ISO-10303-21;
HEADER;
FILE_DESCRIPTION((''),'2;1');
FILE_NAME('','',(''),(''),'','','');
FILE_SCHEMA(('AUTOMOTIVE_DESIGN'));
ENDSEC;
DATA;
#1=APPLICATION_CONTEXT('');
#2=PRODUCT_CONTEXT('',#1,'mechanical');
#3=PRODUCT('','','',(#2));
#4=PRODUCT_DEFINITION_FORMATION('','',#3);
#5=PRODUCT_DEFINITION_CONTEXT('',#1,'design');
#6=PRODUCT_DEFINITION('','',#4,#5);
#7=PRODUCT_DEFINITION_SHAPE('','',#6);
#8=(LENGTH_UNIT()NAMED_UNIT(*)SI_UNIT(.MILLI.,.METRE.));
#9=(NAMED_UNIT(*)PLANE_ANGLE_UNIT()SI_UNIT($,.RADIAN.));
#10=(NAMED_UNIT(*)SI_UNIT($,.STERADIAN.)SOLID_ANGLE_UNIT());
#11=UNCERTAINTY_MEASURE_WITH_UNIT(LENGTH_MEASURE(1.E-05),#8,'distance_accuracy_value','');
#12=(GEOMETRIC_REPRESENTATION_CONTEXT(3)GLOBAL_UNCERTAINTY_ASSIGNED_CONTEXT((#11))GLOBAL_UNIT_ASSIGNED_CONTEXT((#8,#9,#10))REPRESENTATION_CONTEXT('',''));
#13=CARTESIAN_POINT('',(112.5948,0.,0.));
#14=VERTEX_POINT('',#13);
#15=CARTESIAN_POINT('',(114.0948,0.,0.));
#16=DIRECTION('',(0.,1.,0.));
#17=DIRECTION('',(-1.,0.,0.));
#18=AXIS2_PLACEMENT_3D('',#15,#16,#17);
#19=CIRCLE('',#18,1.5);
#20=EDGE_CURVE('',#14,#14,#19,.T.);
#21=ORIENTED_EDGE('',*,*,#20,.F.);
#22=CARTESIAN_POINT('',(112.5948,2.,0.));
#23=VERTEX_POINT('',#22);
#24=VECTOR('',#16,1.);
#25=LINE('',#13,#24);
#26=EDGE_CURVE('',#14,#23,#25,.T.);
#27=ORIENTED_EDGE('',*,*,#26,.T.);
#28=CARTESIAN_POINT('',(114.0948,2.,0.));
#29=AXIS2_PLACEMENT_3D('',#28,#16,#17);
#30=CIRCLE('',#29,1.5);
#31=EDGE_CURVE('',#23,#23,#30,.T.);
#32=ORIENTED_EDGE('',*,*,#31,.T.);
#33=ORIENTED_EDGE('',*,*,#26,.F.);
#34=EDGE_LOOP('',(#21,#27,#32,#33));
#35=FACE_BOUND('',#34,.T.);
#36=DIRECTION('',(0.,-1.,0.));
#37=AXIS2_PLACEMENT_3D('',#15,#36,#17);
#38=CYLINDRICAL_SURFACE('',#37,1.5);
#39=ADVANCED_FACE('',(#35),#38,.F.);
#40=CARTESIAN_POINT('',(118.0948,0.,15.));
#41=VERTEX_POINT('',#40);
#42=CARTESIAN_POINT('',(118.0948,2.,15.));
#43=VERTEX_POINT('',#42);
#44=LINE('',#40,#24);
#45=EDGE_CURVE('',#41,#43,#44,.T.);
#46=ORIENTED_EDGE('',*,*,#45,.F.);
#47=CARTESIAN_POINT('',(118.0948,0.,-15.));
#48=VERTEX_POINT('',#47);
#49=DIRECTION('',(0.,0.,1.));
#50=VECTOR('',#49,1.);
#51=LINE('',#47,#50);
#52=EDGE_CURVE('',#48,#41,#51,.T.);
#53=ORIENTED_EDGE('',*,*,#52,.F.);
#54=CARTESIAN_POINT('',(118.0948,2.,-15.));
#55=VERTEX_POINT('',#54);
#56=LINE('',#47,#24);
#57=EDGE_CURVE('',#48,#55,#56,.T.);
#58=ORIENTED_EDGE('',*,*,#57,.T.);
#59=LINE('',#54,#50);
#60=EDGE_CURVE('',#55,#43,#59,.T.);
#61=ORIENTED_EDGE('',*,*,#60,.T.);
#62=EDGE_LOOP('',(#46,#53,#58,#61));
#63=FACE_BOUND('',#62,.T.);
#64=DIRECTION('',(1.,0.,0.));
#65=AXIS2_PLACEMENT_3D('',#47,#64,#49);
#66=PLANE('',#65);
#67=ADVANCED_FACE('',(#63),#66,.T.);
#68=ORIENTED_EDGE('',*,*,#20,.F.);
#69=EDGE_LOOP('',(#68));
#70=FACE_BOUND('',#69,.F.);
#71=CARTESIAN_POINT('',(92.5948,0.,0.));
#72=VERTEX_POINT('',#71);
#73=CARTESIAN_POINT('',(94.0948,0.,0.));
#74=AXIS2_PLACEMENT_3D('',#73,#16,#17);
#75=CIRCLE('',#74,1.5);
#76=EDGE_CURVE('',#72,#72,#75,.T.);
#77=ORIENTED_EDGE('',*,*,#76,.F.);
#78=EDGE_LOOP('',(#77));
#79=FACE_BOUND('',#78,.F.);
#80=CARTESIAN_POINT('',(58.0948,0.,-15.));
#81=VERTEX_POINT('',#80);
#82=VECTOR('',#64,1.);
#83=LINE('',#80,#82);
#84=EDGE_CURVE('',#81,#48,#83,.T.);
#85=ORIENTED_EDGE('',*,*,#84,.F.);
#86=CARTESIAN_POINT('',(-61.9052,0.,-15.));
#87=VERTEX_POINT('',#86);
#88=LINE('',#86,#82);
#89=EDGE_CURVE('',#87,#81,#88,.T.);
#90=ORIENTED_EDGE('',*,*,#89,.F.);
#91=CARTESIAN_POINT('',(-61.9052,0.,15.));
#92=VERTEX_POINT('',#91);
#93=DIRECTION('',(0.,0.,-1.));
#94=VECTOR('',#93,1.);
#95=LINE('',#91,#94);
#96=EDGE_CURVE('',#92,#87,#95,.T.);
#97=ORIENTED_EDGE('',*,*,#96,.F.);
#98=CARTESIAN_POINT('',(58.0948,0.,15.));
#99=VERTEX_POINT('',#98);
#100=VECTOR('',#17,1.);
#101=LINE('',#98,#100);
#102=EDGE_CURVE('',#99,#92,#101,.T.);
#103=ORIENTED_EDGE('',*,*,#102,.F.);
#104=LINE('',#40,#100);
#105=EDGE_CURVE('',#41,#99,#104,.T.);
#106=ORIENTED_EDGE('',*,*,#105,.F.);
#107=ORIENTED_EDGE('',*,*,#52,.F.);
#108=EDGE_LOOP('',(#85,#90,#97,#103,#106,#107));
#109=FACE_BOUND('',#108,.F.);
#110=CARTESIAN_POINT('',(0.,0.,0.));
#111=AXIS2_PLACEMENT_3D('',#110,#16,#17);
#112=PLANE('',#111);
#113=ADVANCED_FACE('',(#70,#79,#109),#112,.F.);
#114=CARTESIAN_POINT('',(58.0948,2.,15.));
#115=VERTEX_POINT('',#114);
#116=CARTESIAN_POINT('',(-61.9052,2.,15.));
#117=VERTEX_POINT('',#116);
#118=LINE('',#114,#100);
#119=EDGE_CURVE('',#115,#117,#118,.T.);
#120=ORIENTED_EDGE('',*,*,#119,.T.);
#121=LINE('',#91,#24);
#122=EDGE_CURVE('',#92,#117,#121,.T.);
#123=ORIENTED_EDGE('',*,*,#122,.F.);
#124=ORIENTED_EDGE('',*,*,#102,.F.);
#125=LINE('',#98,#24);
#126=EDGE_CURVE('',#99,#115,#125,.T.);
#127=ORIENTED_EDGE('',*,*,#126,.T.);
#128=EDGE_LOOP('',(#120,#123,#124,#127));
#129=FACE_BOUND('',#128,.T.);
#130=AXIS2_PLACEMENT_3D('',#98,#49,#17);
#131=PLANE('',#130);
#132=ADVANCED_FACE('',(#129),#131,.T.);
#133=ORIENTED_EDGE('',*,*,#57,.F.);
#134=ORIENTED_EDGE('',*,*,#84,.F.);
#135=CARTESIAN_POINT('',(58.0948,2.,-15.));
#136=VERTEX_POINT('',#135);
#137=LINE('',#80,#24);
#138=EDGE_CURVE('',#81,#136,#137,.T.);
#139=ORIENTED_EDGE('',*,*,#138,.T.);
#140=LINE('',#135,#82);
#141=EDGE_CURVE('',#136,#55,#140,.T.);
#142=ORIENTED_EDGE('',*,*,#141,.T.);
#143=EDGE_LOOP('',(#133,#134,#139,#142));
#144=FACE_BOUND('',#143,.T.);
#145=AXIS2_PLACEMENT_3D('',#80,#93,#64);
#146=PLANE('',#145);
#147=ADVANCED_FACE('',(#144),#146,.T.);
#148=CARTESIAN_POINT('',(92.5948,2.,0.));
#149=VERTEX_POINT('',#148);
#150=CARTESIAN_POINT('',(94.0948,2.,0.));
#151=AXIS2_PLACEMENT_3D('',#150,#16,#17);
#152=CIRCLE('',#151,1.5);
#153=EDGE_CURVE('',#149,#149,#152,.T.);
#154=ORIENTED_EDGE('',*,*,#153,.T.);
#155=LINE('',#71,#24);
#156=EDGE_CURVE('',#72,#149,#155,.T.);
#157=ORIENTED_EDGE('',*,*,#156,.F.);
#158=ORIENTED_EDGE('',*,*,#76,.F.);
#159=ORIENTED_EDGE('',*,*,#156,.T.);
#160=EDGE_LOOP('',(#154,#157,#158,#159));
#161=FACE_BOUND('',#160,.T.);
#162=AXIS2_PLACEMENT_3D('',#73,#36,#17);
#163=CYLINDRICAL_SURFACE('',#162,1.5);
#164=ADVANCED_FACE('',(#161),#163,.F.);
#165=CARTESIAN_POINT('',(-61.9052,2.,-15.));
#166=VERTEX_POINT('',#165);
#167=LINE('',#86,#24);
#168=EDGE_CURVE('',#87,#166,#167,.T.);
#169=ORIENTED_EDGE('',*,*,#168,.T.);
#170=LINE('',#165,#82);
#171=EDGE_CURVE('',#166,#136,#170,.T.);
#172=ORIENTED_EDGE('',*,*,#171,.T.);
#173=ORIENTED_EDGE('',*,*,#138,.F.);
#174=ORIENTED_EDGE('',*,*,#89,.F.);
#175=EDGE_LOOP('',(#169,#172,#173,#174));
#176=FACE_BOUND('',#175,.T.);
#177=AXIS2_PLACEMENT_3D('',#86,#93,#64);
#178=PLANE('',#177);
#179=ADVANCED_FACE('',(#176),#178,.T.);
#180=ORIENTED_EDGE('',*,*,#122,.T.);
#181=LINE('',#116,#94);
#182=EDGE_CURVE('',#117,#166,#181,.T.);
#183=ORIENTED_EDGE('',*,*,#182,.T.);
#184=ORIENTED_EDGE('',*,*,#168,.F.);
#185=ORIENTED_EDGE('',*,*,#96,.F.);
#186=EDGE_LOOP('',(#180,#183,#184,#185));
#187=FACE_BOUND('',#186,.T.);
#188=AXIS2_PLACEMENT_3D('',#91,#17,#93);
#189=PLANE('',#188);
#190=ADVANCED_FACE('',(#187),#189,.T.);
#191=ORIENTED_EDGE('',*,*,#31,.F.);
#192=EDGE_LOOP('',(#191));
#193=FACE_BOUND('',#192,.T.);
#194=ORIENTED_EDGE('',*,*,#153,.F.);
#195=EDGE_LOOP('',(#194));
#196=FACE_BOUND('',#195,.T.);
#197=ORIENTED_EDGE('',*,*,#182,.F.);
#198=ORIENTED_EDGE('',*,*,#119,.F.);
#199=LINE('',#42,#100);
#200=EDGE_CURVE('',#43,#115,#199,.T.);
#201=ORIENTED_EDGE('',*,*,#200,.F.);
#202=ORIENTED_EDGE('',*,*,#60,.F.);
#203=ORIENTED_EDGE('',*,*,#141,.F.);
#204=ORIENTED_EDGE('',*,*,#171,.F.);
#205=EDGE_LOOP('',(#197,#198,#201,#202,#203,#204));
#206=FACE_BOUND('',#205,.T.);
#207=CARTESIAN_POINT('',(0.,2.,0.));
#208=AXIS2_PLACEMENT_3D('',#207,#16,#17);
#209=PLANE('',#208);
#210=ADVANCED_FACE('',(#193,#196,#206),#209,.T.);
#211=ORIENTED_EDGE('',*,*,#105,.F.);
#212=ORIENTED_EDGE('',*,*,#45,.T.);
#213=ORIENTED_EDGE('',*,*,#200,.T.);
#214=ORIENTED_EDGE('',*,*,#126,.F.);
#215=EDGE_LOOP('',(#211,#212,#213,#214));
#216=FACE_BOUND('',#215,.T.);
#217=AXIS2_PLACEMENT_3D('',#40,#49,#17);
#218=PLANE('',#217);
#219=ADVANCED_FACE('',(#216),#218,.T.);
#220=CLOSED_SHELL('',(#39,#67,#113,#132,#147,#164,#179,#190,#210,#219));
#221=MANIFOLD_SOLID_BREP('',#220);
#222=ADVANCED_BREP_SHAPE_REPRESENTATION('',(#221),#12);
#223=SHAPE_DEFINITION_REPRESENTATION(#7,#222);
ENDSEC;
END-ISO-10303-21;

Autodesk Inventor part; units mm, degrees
ref_plane "YZ Plane" through (0, 0, 0) normal (1, 0, 0) x (0, 1, 0)
ref_plane "XZ Plane" through (0, 0, 0) normal (0, 1, 0) x (-1, 0, 0)
ref_plane "XY Plane" through (0, 0, 0) normal (0, 0, 1) x (1, 0, 0)
sketch "草图1" plane through (0, 0, 0) normal (0, 1, 0) x (-1, 0, 0)
  line L0 (-58.0948, -15) -> (-118.0948, -15)
  line L1 (-118.0948, -15) -> (-118.0948, 15)
  line L2 (-118.0948, 15) -> (-58.0948, 15)
  circle A0 centre (-94.0948, 0) radius 1.5
  circle A1 centre (-114.0948, 0) radius 1.5
  line L3 (-58.0948, 15) -> (61.9052, 15)
  line L4 (61.9052, 15) -> (61.9052, -15)
  line L5 (61.9052, -15) -> (-58.0948, -15)
  point P0 (0, 0)
  dimension "d12" = 30
  dimension "d15" = 3
  dimension "d16" = 3
  dimension "d19" = 180
extrude "拉伸2" add sketch "草图1" along normal blind 2
properties part number "海绵板"
